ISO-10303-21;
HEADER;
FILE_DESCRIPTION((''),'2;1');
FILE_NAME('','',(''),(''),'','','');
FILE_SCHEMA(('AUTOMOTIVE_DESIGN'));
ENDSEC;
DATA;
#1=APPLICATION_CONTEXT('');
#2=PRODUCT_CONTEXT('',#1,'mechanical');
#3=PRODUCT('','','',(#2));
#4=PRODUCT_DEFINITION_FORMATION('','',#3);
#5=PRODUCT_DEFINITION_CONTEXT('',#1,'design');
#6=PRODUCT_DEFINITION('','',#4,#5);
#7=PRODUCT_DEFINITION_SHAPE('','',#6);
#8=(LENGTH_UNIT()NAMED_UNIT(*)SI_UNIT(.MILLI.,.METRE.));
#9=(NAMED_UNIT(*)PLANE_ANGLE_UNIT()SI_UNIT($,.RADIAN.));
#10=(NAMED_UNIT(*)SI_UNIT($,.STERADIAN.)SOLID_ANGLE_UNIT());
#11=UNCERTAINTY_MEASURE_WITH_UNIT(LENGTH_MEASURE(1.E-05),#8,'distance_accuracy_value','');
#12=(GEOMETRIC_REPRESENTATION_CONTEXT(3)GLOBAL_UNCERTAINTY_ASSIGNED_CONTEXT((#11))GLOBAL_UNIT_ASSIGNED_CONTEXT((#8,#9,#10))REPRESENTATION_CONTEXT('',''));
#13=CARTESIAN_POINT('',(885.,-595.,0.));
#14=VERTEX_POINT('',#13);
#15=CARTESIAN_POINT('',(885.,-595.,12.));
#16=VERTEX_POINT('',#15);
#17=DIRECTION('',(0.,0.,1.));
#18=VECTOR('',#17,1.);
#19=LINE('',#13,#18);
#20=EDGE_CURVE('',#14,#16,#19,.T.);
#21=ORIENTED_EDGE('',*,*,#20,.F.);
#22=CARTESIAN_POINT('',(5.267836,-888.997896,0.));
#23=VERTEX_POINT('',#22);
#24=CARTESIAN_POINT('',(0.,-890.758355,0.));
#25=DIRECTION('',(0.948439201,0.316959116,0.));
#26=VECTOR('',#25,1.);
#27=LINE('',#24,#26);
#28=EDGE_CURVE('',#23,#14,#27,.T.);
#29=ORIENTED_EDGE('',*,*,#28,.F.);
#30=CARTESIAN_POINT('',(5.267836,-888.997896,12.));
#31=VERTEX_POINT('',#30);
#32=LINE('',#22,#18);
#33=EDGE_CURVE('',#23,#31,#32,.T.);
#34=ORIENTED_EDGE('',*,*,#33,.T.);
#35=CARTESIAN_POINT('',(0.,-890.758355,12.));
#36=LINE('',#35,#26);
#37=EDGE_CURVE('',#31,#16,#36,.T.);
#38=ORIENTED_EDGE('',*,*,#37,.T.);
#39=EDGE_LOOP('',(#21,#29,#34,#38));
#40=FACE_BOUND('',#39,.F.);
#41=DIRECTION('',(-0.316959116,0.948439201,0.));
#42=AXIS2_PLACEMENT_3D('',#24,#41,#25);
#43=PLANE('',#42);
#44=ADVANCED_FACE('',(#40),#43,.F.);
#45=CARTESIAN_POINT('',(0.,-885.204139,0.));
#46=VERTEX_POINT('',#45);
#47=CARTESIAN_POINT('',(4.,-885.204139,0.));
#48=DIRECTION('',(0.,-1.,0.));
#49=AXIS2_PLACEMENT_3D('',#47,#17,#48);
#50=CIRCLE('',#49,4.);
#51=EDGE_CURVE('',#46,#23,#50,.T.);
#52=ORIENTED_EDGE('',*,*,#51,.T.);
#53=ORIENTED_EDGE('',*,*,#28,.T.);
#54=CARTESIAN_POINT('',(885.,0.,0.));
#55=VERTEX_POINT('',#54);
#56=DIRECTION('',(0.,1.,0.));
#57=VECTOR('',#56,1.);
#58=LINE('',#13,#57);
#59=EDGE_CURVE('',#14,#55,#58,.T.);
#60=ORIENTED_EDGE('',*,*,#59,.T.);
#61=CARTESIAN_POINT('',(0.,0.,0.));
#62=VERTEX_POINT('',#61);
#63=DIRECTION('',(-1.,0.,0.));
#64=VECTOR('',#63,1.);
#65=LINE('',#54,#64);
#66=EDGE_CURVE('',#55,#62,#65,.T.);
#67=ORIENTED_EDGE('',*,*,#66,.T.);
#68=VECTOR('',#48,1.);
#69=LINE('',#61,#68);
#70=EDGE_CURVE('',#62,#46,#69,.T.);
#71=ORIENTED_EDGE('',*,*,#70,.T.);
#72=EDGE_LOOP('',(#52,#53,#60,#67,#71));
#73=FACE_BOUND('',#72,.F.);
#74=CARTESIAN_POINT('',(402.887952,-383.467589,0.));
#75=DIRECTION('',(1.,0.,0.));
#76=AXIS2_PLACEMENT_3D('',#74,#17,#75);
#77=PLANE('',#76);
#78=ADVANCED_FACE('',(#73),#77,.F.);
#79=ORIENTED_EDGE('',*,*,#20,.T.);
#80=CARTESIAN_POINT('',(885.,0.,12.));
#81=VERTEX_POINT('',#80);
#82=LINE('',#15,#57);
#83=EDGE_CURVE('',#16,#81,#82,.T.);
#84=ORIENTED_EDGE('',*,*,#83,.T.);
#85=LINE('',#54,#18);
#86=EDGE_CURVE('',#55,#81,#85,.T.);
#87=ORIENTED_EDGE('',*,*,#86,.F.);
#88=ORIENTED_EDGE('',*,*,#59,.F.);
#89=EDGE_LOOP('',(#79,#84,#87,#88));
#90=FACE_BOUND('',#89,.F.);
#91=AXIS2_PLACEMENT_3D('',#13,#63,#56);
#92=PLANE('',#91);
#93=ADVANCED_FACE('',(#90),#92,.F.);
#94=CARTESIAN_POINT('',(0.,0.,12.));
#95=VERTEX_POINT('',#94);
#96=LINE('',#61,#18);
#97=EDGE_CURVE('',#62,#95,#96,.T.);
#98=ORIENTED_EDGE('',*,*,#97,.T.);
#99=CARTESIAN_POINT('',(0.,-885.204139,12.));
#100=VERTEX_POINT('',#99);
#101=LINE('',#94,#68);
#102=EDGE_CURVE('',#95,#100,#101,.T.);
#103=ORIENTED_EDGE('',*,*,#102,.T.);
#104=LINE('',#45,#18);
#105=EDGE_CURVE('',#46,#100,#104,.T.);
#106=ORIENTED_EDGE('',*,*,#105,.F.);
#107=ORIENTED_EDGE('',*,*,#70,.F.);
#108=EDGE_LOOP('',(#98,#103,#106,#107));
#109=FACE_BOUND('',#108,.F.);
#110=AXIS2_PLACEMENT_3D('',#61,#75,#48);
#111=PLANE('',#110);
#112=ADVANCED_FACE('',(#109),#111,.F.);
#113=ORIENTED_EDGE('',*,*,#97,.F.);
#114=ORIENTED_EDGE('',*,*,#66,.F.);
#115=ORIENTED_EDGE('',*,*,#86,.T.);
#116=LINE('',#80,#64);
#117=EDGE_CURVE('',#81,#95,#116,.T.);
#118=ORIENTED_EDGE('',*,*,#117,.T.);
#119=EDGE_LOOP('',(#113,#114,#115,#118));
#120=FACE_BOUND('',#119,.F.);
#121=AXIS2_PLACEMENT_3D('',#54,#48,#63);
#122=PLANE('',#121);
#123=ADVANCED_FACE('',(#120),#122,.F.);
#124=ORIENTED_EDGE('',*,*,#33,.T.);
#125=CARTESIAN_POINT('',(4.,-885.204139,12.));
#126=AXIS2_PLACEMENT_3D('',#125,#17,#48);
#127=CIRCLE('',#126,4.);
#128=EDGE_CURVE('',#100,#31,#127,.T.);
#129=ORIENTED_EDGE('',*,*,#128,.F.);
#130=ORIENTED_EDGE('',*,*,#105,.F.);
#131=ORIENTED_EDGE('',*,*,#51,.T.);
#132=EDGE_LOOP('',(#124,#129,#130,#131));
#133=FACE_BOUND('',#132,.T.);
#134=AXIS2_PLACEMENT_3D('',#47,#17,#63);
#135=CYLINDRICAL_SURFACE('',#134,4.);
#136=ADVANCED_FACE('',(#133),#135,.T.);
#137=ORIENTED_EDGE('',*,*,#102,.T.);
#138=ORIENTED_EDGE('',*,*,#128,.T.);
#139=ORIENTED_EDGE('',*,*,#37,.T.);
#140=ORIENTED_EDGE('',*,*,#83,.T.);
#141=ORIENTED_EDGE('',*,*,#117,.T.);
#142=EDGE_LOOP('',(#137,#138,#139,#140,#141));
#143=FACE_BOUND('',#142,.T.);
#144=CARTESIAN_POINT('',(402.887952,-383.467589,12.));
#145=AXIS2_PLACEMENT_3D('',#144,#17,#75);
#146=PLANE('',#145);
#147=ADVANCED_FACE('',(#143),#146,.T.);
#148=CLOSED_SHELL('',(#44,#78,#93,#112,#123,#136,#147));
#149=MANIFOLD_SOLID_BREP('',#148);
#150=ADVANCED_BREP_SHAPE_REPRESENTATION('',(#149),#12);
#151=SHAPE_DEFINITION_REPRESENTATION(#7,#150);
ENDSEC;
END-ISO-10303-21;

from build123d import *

# Parameters (mm, degrees)
F1_DEPTH = 12
F2_R     = 4


with BuildPart() as f1:
    # F0 (on Top) → F1 (new body)
    with BuildSketch(Plane.XY):
        Polygon((885, 0), (0, 0), (0, -890.758355), (885, -595), align=None)
    extrude(amount=F1_DEPTH)

    # F2
    f2_edges = [f1.edges().sort_by_distance(p)[0] for p in [
        (0, -890.758355, 6),
    ]]
    fillet(f2_edges, radius=F2_R)


solid = f1.part
